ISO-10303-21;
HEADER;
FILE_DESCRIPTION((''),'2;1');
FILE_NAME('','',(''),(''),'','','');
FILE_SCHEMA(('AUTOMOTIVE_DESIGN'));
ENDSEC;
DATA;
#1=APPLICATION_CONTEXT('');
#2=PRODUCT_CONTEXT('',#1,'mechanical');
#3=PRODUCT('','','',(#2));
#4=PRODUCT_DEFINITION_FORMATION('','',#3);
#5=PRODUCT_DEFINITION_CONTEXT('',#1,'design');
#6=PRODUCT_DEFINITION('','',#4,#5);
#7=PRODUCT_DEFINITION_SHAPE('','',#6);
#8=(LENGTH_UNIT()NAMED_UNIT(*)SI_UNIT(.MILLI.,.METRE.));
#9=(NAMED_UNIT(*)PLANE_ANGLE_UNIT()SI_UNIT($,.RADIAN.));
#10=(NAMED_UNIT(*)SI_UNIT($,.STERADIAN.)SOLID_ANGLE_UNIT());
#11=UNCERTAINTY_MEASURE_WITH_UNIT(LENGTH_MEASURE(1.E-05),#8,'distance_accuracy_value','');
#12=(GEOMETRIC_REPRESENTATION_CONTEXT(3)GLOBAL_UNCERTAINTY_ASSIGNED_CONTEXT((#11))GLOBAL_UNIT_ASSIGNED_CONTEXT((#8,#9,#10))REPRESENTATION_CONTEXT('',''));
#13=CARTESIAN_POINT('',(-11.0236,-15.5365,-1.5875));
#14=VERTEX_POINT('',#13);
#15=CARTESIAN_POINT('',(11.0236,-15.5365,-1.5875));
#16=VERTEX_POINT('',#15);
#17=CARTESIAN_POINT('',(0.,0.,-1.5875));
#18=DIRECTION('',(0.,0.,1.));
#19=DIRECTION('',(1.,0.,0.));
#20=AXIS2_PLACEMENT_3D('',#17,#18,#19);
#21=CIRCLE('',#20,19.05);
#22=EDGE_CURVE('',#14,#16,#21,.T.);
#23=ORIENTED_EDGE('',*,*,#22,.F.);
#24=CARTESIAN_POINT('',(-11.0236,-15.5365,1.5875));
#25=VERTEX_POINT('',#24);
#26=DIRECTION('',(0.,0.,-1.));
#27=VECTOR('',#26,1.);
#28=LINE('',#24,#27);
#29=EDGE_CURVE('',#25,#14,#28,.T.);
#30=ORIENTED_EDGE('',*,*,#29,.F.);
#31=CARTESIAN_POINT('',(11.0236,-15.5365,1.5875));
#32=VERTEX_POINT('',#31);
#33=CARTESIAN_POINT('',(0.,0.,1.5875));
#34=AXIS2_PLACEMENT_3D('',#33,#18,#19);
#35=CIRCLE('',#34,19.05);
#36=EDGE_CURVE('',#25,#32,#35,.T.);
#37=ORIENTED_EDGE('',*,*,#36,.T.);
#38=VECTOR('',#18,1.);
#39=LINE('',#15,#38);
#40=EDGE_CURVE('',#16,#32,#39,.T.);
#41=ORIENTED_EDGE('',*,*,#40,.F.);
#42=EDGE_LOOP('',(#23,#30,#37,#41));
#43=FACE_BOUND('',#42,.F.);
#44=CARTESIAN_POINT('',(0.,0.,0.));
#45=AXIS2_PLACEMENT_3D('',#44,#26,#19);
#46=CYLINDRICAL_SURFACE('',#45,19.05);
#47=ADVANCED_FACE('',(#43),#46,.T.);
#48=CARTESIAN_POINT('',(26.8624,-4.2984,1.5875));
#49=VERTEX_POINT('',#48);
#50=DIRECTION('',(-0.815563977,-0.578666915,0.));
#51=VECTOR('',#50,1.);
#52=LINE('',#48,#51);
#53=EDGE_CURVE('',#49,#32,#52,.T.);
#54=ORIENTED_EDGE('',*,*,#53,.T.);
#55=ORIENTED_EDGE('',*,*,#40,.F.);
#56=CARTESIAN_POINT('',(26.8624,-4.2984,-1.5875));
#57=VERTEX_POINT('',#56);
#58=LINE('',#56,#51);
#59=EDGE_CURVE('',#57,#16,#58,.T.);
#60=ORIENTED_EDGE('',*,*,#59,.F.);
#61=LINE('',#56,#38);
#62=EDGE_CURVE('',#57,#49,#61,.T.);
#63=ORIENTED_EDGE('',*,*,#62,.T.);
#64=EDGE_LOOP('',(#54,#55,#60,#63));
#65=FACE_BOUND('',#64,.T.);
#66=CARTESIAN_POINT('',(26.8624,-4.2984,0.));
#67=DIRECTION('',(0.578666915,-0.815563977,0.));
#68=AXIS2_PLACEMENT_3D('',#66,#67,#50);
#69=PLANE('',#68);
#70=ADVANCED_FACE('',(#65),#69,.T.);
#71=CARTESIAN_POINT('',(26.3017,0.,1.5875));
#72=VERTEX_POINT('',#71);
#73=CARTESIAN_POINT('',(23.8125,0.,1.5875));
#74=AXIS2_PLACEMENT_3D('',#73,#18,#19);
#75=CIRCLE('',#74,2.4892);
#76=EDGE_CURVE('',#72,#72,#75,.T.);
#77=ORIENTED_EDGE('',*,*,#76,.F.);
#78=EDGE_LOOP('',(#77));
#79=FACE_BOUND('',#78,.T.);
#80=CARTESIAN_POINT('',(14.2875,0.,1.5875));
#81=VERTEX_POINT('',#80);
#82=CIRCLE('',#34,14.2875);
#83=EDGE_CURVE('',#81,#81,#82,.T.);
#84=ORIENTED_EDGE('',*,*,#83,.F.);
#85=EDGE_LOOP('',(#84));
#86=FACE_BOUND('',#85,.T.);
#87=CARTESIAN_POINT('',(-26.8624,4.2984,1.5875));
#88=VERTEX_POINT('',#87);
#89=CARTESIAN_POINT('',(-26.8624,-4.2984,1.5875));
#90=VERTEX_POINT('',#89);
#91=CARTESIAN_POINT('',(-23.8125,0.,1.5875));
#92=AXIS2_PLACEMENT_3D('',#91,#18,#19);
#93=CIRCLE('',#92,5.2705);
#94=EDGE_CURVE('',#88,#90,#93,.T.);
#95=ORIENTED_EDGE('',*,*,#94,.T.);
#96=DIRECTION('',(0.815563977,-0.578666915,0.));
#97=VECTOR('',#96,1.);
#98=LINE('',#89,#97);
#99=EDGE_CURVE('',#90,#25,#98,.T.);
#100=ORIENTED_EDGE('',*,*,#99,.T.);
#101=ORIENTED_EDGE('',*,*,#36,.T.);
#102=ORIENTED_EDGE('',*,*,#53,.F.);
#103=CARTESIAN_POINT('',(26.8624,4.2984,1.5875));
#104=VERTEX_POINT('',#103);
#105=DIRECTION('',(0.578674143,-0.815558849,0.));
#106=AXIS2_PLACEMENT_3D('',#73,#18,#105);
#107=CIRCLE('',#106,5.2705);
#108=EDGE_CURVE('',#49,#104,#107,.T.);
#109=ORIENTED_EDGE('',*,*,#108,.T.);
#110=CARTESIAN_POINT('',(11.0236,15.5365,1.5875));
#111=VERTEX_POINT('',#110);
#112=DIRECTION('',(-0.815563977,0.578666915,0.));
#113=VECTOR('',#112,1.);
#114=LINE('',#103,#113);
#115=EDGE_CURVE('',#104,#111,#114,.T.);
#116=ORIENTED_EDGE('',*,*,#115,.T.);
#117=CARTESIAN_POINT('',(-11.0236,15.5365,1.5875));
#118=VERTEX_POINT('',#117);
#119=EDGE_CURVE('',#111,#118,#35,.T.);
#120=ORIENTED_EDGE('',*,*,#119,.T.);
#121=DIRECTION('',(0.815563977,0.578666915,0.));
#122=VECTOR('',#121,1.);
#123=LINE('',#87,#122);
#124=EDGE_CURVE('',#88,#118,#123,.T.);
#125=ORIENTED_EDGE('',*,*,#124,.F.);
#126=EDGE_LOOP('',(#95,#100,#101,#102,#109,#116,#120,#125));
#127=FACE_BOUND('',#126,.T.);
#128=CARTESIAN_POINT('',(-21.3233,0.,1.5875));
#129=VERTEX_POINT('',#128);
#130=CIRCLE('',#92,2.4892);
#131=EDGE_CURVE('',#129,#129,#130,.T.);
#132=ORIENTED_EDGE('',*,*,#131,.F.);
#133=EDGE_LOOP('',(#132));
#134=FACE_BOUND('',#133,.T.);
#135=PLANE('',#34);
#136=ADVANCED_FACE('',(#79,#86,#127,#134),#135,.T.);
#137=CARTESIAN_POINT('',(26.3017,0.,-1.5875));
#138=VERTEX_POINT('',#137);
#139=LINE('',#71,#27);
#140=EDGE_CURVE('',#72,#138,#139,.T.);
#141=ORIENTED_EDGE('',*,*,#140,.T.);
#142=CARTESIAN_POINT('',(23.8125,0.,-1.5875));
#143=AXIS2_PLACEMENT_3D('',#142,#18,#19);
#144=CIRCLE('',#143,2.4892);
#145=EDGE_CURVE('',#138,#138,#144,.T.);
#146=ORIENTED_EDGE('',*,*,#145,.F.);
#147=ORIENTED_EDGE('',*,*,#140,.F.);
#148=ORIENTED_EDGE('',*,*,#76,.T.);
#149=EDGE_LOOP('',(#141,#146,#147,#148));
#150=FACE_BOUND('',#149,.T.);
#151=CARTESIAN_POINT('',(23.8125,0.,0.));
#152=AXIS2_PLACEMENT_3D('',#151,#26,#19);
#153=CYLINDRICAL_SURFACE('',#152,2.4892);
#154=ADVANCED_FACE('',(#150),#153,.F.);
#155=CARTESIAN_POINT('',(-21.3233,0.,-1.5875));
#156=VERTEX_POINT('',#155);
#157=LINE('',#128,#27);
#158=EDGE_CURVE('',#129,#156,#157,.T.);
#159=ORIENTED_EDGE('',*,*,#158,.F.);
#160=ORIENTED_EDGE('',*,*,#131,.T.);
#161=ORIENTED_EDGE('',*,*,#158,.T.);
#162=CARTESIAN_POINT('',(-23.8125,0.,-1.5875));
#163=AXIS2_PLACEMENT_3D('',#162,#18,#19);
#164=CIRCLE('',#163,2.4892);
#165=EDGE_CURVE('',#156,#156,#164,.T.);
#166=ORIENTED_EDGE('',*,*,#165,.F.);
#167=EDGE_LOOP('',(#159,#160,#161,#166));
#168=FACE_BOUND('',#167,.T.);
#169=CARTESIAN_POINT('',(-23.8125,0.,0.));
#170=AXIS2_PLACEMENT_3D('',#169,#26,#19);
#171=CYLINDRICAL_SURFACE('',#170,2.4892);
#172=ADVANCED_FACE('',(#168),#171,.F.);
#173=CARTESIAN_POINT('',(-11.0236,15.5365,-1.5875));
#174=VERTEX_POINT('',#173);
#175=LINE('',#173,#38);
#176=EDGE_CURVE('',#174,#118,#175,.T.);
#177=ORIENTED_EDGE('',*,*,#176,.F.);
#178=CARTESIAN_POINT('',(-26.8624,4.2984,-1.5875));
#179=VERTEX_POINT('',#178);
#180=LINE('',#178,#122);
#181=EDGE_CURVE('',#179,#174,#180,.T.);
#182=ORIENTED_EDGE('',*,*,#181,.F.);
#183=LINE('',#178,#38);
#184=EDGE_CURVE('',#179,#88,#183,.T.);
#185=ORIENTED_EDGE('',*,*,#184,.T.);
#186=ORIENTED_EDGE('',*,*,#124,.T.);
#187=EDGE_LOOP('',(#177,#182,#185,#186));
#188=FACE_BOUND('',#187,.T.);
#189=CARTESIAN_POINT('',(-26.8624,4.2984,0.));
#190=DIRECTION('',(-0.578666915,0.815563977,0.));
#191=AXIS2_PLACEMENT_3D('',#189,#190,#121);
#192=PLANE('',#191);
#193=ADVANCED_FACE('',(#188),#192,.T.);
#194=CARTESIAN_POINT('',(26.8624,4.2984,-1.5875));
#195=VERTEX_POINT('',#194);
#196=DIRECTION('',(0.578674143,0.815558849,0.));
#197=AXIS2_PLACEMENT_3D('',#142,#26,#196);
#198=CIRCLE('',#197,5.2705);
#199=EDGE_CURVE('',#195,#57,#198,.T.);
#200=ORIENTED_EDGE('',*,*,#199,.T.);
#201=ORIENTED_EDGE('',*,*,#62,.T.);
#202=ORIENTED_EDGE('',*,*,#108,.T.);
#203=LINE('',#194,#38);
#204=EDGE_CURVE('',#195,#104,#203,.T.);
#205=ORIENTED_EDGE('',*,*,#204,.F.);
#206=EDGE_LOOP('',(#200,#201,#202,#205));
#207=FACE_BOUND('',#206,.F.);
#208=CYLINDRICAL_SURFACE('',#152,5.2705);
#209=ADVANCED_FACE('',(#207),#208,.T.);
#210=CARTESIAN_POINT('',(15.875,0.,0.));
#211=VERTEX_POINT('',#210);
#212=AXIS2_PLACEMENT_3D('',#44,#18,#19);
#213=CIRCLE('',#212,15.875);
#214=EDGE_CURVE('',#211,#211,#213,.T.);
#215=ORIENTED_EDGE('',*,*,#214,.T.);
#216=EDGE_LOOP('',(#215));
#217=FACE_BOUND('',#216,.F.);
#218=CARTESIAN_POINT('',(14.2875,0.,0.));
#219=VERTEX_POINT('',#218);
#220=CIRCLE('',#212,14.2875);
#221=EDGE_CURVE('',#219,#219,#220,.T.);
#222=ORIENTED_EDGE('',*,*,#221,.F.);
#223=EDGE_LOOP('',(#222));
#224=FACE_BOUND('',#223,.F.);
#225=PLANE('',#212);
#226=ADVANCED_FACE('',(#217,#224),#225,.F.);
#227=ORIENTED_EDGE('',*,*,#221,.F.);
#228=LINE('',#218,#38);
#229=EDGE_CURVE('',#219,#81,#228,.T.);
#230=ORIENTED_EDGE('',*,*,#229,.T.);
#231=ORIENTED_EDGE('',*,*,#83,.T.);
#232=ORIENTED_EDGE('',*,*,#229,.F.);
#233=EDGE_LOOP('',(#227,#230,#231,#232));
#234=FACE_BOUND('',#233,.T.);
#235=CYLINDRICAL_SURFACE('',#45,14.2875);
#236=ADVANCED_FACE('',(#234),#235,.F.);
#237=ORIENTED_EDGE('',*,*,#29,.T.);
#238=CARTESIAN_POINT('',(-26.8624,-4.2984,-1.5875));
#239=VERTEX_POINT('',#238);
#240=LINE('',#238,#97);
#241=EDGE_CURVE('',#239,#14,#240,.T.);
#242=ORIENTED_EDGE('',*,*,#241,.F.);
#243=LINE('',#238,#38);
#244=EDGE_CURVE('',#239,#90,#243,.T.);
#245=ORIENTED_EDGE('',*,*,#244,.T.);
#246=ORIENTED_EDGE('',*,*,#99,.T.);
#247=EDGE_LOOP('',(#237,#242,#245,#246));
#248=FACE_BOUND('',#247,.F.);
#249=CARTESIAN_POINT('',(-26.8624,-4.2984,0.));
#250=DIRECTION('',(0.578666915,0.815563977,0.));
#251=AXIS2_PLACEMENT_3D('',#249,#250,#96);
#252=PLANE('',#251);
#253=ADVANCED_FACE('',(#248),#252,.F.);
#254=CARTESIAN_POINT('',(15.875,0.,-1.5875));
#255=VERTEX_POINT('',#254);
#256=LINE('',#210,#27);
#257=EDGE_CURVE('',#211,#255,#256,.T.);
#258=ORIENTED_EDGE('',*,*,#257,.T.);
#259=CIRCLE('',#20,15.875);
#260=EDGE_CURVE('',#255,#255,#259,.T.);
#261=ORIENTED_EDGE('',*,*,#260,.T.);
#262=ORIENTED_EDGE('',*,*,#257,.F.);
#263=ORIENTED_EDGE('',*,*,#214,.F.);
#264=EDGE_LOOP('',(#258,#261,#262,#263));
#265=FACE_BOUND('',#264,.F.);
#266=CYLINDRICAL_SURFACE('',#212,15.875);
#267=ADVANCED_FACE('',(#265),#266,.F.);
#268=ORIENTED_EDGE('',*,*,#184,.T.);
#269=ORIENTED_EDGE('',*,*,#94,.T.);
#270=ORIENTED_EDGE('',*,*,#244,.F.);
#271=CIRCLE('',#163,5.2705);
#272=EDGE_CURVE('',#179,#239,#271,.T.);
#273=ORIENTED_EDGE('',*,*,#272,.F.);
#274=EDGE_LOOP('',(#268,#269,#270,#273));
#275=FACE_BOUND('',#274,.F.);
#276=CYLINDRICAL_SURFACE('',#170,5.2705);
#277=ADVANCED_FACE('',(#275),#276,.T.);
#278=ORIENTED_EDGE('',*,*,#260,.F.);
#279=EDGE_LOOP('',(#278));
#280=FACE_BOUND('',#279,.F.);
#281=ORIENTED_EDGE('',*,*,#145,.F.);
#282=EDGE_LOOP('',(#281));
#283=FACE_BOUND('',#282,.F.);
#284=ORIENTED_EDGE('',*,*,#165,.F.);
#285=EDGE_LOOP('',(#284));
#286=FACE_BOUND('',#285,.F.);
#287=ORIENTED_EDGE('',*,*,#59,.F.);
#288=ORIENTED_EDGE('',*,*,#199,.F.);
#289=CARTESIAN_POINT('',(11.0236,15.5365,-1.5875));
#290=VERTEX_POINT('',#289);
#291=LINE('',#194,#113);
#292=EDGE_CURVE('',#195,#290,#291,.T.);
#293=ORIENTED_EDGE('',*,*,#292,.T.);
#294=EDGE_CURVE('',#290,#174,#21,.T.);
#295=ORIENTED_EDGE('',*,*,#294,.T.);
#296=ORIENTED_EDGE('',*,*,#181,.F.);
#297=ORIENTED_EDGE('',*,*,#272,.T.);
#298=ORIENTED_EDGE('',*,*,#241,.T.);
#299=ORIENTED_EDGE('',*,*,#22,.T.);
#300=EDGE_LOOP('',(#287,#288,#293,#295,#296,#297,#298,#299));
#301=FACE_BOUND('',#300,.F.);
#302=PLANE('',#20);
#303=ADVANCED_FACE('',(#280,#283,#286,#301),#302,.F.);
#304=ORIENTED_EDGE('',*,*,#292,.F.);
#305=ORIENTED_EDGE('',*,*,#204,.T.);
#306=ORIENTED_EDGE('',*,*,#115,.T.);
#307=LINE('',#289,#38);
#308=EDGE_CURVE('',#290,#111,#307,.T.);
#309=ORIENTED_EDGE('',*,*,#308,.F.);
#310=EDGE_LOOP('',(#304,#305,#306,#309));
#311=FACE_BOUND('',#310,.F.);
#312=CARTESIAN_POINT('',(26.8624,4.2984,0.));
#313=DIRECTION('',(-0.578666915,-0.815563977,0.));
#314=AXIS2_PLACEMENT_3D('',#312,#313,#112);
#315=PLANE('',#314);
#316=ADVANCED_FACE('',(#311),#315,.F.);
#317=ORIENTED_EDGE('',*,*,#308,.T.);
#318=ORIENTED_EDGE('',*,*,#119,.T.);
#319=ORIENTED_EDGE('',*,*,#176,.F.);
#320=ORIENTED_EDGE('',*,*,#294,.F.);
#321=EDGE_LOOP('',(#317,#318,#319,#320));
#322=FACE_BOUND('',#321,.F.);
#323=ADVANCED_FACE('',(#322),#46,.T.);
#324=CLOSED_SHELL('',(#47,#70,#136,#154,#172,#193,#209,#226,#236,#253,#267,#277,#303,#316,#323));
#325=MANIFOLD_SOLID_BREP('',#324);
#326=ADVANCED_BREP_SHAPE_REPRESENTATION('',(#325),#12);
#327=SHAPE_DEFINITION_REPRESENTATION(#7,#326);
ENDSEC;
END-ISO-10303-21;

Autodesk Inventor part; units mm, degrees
ref_plane "YZ Plane" through (0, 0, 0) normal (1, 0, 0) x (0, 1, 0)
ref_plane "XZ Plane" through (0, 0, 0) normal (0, 1, 0) x (-1, 0, 0)
ref_plane "XY Plane" through (0, 0, 0) normal (0, 0, 1) x (1, 0, 0)
sketch "Sketch1" plane through (0, 0, 0) normal (0, 0, 1) x (1, 0, 0)
  circle A0 centre (0, 0) radius 15.875
  circle A1 centre (0, 0) radius 19.05
  circle A2 centre (-23.8125, 0) radius 2.4892
  circle A3 centre (-23.8125, 0) radius 5.2705
  line L0 (-26.8624, 4.2984) -> (-11.0236, 15.5365)
  line L1 (-26.8624, -4.2984) -> (-11.0236, -15.5365)
  line L2 (0, 0) -> (0, 8.9484)
  circle A4 centre (23.8125, 0) radius 2.4892
  circle A5 centre (23.8125, 0) radius 5.2705
  line L3 (26.8624, 4.2984) -> (11.0236, 15.5365)
  line L4 (26.8624, -4.2984) -> (11.0236, -15.5365)
  circle A6 centre (0, 0) radius 14.2875
  point P0 (11.0236, -15.5365)
  point P1 (11.0236, 15.5365)
  dimension "d0" = 31.75
  dimension "d1" = 3.175
  dimension "d2" = 4.9784
  dimension "d3" = 10.541
  dimension "d4" = 47.625
  dimension "d5" = 28.575
extrude "Extrusion1" add sketch "Sketch1" along normal blind 1.5875 contours A0 | A1 A5 A3 | L3 A5 A1 | A1 A3 L0 | A5 A1 | A1 A5 | A3 A1 | A1 A3 | A5 L4 A1 | A1 L1 A3
extrude "Extrusion2" add sketch "Sketch1" against normal blind 1.5875 contours A1 A5 A3 | L3 A5 A1 | A1 A3 L0 | A5 A1 | A1 A5 | A3 A1 | A1 A3 | A5 L4 A1 | A1 L1 A3
properties part number "Bearing Retainer" material "Aluminum 6061"
